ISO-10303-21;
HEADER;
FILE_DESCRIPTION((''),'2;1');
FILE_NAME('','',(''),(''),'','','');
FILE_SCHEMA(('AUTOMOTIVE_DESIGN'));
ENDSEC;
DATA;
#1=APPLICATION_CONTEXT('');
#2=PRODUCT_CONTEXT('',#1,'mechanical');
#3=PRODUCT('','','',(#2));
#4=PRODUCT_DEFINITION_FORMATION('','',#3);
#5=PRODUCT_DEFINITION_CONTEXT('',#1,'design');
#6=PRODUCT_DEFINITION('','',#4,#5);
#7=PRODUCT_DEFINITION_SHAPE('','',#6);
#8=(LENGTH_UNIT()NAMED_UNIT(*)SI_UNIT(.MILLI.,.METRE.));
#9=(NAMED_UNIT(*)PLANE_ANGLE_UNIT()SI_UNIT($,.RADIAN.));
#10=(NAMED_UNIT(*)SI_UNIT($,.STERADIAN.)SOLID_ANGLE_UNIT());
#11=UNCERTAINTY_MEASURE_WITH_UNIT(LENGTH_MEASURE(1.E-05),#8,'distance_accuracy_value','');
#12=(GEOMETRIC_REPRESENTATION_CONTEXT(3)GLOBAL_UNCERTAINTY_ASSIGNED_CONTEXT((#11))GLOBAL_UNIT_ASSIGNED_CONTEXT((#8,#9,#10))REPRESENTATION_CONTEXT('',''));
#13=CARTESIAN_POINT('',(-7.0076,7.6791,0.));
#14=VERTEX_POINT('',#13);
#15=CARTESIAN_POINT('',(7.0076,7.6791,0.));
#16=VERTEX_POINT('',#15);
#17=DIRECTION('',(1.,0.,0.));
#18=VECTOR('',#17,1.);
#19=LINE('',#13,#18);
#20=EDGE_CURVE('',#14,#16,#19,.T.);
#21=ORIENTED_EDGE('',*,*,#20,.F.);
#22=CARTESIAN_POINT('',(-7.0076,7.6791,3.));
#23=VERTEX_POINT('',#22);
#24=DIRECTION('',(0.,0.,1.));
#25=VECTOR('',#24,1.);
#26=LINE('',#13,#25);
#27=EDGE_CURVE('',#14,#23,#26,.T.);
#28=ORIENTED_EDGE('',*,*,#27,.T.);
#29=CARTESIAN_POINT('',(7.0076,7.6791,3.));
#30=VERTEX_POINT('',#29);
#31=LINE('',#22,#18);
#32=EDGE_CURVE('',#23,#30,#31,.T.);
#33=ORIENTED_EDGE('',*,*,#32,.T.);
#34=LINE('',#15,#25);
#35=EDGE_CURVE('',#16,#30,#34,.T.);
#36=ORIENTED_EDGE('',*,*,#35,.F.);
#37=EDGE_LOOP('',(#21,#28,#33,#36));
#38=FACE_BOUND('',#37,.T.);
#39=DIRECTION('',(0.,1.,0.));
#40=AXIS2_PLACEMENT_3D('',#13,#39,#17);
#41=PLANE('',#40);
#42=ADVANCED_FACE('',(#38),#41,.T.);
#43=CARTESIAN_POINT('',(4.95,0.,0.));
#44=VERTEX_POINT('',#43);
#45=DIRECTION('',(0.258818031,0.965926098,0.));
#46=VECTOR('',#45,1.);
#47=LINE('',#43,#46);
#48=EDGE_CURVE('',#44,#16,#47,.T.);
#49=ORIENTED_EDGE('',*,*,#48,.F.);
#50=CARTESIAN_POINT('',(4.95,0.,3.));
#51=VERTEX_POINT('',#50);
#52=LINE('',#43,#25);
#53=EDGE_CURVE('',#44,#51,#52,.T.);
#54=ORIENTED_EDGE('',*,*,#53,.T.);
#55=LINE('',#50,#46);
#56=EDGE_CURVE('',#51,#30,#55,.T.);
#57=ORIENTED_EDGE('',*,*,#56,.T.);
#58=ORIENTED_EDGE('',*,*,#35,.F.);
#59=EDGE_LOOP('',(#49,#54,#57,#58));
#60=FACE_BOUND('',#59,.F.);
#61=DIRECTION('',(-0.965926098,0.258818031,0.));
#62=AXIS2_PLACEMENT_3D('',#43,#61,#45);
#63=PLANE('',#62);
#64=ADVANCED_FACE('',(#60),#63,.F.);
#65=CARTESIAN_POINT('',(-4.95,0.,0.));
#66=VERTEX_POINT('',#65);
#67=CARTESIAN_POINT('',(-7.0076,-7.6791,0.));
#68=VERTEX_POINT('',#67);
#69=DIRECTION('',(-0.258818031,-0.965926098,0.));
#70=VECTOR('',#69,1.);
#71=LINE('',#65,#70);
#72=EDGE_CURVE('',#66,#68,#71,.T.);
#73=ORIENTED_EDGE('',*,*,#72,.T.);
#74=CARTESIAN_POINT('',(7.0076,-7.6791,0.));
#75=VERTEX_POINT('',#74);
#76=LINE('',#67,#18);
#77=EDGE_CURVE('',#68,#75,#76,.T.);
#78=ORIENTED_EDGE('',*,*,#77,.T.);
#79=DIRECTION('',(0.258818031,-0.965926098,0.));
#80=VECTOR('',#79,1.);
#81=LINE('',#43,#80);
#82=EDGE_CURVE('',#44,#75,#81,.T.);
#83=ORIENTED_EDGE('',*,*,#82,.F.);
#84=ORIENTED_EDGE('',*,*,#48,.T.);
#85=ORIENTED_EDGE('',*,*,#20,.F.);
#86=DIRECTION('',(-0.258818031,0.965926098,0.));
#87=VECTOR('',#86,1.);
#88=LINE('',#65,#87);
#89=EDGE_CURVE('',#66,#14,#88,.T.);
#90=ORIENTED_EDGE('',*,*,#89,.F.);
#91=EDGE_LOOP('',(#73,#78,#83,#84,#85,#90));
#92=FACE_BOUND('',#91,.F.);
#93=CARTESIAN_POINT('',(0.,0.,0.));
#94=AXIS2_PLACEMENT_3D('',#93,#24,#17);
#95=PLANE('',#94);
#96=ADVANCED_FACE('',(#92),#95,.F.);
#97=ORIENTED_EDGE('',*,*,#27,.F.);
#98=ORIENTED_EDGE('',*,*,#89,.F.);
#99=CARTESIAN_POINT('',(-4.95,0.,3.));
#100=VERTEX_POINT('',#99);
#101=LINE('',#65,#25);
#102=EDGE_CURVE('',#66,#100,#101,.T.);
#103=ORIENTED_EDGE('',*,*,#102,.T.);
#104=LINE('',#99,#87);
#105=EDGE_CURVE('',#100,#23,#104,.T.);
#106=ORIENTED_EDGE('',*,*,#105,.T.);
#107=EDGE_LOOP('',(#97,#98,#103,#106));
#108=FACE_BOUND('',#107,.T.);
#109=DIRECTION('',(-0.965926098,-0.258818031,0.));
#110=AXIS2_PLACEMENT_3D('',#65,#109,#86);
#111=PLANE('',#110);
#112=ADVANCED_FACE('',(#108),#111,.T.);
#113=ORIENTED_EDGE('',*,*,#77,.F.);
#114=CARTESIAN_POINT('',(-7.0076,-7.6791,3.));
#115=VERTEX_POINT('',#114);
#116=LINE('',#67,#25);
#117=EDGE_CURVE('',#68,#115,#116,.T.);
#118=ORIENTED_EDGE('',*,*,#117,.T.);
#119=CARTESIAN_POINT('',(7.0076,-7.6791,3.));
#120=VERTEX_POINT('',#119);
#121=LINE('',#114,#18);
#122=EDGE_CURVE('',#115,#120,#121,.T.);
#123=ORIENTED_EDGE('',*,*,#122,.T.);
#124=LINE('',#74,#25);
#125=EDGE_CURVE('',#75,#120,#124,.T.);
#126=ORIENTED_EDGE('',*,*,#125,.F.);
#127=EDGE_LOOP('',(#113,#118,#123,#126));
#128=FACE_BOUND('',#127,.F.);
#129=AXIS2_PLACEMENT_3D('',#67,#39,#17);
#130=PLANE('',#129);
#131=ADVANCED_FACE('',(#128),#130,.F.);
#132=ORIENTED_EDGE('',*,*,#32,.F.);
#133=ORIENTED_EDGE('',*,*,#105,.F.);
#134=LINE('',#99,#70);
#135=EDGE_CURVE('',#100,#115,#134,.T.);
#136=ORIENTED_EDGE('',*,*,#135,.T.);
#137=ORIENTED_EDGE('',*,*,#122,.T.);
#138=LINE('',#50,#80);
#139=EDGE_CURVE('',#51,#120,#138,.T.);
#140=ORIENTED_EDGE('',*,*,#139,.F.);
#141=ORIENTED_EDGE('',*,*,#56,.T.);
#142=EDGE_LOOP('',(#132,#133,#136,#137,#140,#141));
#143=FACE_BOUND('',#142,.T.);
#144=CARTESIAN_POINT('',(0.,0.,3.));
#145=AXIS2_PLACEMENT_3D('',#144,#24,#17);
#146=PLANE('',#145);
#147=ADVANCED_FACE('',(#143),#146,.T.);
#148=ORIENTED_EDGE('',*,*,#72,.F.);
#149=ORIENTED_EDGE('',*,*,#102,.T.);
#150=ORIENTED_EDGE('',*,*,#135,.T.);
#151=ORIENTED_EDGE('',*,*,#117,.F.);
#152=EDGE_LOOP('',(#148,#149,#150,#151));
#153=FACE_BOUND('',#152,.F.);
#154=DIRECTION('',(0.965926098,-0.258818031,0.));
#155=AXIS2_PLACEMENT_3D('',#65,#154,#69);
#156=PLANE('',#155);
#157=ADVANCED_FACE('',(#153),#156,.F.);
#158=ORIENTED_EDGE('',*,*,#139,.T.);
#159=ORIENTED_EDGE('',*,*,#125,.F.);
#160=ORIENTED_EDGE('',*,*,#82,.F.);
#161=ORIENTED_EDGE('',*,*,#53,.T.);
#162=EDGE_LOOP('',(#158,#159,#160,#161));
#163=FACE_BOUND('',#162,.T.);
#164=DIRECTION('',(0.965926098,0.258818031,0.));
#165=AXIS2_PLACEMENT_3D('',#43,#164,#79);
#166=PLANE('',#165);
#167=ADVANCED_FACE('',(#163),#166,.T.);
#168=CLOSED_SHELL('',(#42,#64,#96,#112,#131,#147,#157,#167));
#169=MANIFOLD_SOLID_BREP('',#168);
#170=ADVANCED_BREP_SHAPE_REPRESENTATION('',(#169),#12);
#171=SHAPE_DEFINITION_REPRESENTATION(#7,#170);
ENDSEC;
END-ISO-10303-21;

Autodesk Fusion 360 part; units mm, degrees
sketch "Sketch1" plane through (0, 0, 0) normal (0, 0, 1) x (1, 0, 0)
  line L0 (0, 0) -> (5, 0) construction
  line L1 (5, 0) -> (7.0706, 7.7274) construction
  line L2 (5, 0) -> (13, 0) construction
  line L3 (5, 0) -> (7.0706, -7.7274) construction
  line L4 (5, 0) -> (13, 0) construction
  line L5 (0, 0) -> (-5, 0) construction
  line L6 (-5, 0) -> (-7.0706, 7.7274) construction
  line L7 (-5, 0) -> (0, 0) construction
  line L8 (-5, 0) -> (-7.0706, -7.7274) construction
  line L9 (-5, 0) -> (0, 0) construction
  line L10 (-7.0706, -7.7274) -> (7.0706, -7.7274) construction
  line L11 (-7.0706, 7.7274) -> (7.0706, 7.7274) construction
  line L12 (0, 0) -> (4.95, 0) construction
  line L13 (4.95, 0) -> (7.0076, 7.6791)
  line L14 (4.95, 0) -> (12.8, 0) construction
  line L15 (4.95, 0) -> (7.0076, -7.6791)
  line L16 (4.95, 0) -> (12.8, 0) construction
  line L17 (0, 0) -> (-4.95, 0) construction
  line L18 (-4.95, 0) -> (-7.0076, 7.6791)
  line L19 (-4.95, 0) -> (3, 0) construction
  line L20 (-7.0076, 7.6791) -> (7.0076, 7.6791)
  line L21 (-4.95, 0) -> (-7.0076, -7.6791)
  line L22 (-7.0076, -7.6791) -> (7.0076, -7.6791)
  dimension "d1" = 5
  dimension "d2" = 75
  dimension "d3" = 8
  dimension "d4" = 75
  dimension "d5" = 8
  dimension "d6" = 5
  dimension "d7" = 105
  dimension "d8" = 8
  dimension "d9" = 105
  dimension "d10" = 8
  dimension "d11" = 4.95
  dimension "d12" = 75
  dimension "d13" = 7.95
  dimension "d14" = 75
  dimension "d15" = 7.95
  dimension "d16" = 4.95
  dimension "d17" = 105
  dimension "d18" = 7.95
  dimension "d19" = 75
  dimension "d20" = 7.95
extrude "Extrude1" add sketch "Sketch1" along normal blind 3
